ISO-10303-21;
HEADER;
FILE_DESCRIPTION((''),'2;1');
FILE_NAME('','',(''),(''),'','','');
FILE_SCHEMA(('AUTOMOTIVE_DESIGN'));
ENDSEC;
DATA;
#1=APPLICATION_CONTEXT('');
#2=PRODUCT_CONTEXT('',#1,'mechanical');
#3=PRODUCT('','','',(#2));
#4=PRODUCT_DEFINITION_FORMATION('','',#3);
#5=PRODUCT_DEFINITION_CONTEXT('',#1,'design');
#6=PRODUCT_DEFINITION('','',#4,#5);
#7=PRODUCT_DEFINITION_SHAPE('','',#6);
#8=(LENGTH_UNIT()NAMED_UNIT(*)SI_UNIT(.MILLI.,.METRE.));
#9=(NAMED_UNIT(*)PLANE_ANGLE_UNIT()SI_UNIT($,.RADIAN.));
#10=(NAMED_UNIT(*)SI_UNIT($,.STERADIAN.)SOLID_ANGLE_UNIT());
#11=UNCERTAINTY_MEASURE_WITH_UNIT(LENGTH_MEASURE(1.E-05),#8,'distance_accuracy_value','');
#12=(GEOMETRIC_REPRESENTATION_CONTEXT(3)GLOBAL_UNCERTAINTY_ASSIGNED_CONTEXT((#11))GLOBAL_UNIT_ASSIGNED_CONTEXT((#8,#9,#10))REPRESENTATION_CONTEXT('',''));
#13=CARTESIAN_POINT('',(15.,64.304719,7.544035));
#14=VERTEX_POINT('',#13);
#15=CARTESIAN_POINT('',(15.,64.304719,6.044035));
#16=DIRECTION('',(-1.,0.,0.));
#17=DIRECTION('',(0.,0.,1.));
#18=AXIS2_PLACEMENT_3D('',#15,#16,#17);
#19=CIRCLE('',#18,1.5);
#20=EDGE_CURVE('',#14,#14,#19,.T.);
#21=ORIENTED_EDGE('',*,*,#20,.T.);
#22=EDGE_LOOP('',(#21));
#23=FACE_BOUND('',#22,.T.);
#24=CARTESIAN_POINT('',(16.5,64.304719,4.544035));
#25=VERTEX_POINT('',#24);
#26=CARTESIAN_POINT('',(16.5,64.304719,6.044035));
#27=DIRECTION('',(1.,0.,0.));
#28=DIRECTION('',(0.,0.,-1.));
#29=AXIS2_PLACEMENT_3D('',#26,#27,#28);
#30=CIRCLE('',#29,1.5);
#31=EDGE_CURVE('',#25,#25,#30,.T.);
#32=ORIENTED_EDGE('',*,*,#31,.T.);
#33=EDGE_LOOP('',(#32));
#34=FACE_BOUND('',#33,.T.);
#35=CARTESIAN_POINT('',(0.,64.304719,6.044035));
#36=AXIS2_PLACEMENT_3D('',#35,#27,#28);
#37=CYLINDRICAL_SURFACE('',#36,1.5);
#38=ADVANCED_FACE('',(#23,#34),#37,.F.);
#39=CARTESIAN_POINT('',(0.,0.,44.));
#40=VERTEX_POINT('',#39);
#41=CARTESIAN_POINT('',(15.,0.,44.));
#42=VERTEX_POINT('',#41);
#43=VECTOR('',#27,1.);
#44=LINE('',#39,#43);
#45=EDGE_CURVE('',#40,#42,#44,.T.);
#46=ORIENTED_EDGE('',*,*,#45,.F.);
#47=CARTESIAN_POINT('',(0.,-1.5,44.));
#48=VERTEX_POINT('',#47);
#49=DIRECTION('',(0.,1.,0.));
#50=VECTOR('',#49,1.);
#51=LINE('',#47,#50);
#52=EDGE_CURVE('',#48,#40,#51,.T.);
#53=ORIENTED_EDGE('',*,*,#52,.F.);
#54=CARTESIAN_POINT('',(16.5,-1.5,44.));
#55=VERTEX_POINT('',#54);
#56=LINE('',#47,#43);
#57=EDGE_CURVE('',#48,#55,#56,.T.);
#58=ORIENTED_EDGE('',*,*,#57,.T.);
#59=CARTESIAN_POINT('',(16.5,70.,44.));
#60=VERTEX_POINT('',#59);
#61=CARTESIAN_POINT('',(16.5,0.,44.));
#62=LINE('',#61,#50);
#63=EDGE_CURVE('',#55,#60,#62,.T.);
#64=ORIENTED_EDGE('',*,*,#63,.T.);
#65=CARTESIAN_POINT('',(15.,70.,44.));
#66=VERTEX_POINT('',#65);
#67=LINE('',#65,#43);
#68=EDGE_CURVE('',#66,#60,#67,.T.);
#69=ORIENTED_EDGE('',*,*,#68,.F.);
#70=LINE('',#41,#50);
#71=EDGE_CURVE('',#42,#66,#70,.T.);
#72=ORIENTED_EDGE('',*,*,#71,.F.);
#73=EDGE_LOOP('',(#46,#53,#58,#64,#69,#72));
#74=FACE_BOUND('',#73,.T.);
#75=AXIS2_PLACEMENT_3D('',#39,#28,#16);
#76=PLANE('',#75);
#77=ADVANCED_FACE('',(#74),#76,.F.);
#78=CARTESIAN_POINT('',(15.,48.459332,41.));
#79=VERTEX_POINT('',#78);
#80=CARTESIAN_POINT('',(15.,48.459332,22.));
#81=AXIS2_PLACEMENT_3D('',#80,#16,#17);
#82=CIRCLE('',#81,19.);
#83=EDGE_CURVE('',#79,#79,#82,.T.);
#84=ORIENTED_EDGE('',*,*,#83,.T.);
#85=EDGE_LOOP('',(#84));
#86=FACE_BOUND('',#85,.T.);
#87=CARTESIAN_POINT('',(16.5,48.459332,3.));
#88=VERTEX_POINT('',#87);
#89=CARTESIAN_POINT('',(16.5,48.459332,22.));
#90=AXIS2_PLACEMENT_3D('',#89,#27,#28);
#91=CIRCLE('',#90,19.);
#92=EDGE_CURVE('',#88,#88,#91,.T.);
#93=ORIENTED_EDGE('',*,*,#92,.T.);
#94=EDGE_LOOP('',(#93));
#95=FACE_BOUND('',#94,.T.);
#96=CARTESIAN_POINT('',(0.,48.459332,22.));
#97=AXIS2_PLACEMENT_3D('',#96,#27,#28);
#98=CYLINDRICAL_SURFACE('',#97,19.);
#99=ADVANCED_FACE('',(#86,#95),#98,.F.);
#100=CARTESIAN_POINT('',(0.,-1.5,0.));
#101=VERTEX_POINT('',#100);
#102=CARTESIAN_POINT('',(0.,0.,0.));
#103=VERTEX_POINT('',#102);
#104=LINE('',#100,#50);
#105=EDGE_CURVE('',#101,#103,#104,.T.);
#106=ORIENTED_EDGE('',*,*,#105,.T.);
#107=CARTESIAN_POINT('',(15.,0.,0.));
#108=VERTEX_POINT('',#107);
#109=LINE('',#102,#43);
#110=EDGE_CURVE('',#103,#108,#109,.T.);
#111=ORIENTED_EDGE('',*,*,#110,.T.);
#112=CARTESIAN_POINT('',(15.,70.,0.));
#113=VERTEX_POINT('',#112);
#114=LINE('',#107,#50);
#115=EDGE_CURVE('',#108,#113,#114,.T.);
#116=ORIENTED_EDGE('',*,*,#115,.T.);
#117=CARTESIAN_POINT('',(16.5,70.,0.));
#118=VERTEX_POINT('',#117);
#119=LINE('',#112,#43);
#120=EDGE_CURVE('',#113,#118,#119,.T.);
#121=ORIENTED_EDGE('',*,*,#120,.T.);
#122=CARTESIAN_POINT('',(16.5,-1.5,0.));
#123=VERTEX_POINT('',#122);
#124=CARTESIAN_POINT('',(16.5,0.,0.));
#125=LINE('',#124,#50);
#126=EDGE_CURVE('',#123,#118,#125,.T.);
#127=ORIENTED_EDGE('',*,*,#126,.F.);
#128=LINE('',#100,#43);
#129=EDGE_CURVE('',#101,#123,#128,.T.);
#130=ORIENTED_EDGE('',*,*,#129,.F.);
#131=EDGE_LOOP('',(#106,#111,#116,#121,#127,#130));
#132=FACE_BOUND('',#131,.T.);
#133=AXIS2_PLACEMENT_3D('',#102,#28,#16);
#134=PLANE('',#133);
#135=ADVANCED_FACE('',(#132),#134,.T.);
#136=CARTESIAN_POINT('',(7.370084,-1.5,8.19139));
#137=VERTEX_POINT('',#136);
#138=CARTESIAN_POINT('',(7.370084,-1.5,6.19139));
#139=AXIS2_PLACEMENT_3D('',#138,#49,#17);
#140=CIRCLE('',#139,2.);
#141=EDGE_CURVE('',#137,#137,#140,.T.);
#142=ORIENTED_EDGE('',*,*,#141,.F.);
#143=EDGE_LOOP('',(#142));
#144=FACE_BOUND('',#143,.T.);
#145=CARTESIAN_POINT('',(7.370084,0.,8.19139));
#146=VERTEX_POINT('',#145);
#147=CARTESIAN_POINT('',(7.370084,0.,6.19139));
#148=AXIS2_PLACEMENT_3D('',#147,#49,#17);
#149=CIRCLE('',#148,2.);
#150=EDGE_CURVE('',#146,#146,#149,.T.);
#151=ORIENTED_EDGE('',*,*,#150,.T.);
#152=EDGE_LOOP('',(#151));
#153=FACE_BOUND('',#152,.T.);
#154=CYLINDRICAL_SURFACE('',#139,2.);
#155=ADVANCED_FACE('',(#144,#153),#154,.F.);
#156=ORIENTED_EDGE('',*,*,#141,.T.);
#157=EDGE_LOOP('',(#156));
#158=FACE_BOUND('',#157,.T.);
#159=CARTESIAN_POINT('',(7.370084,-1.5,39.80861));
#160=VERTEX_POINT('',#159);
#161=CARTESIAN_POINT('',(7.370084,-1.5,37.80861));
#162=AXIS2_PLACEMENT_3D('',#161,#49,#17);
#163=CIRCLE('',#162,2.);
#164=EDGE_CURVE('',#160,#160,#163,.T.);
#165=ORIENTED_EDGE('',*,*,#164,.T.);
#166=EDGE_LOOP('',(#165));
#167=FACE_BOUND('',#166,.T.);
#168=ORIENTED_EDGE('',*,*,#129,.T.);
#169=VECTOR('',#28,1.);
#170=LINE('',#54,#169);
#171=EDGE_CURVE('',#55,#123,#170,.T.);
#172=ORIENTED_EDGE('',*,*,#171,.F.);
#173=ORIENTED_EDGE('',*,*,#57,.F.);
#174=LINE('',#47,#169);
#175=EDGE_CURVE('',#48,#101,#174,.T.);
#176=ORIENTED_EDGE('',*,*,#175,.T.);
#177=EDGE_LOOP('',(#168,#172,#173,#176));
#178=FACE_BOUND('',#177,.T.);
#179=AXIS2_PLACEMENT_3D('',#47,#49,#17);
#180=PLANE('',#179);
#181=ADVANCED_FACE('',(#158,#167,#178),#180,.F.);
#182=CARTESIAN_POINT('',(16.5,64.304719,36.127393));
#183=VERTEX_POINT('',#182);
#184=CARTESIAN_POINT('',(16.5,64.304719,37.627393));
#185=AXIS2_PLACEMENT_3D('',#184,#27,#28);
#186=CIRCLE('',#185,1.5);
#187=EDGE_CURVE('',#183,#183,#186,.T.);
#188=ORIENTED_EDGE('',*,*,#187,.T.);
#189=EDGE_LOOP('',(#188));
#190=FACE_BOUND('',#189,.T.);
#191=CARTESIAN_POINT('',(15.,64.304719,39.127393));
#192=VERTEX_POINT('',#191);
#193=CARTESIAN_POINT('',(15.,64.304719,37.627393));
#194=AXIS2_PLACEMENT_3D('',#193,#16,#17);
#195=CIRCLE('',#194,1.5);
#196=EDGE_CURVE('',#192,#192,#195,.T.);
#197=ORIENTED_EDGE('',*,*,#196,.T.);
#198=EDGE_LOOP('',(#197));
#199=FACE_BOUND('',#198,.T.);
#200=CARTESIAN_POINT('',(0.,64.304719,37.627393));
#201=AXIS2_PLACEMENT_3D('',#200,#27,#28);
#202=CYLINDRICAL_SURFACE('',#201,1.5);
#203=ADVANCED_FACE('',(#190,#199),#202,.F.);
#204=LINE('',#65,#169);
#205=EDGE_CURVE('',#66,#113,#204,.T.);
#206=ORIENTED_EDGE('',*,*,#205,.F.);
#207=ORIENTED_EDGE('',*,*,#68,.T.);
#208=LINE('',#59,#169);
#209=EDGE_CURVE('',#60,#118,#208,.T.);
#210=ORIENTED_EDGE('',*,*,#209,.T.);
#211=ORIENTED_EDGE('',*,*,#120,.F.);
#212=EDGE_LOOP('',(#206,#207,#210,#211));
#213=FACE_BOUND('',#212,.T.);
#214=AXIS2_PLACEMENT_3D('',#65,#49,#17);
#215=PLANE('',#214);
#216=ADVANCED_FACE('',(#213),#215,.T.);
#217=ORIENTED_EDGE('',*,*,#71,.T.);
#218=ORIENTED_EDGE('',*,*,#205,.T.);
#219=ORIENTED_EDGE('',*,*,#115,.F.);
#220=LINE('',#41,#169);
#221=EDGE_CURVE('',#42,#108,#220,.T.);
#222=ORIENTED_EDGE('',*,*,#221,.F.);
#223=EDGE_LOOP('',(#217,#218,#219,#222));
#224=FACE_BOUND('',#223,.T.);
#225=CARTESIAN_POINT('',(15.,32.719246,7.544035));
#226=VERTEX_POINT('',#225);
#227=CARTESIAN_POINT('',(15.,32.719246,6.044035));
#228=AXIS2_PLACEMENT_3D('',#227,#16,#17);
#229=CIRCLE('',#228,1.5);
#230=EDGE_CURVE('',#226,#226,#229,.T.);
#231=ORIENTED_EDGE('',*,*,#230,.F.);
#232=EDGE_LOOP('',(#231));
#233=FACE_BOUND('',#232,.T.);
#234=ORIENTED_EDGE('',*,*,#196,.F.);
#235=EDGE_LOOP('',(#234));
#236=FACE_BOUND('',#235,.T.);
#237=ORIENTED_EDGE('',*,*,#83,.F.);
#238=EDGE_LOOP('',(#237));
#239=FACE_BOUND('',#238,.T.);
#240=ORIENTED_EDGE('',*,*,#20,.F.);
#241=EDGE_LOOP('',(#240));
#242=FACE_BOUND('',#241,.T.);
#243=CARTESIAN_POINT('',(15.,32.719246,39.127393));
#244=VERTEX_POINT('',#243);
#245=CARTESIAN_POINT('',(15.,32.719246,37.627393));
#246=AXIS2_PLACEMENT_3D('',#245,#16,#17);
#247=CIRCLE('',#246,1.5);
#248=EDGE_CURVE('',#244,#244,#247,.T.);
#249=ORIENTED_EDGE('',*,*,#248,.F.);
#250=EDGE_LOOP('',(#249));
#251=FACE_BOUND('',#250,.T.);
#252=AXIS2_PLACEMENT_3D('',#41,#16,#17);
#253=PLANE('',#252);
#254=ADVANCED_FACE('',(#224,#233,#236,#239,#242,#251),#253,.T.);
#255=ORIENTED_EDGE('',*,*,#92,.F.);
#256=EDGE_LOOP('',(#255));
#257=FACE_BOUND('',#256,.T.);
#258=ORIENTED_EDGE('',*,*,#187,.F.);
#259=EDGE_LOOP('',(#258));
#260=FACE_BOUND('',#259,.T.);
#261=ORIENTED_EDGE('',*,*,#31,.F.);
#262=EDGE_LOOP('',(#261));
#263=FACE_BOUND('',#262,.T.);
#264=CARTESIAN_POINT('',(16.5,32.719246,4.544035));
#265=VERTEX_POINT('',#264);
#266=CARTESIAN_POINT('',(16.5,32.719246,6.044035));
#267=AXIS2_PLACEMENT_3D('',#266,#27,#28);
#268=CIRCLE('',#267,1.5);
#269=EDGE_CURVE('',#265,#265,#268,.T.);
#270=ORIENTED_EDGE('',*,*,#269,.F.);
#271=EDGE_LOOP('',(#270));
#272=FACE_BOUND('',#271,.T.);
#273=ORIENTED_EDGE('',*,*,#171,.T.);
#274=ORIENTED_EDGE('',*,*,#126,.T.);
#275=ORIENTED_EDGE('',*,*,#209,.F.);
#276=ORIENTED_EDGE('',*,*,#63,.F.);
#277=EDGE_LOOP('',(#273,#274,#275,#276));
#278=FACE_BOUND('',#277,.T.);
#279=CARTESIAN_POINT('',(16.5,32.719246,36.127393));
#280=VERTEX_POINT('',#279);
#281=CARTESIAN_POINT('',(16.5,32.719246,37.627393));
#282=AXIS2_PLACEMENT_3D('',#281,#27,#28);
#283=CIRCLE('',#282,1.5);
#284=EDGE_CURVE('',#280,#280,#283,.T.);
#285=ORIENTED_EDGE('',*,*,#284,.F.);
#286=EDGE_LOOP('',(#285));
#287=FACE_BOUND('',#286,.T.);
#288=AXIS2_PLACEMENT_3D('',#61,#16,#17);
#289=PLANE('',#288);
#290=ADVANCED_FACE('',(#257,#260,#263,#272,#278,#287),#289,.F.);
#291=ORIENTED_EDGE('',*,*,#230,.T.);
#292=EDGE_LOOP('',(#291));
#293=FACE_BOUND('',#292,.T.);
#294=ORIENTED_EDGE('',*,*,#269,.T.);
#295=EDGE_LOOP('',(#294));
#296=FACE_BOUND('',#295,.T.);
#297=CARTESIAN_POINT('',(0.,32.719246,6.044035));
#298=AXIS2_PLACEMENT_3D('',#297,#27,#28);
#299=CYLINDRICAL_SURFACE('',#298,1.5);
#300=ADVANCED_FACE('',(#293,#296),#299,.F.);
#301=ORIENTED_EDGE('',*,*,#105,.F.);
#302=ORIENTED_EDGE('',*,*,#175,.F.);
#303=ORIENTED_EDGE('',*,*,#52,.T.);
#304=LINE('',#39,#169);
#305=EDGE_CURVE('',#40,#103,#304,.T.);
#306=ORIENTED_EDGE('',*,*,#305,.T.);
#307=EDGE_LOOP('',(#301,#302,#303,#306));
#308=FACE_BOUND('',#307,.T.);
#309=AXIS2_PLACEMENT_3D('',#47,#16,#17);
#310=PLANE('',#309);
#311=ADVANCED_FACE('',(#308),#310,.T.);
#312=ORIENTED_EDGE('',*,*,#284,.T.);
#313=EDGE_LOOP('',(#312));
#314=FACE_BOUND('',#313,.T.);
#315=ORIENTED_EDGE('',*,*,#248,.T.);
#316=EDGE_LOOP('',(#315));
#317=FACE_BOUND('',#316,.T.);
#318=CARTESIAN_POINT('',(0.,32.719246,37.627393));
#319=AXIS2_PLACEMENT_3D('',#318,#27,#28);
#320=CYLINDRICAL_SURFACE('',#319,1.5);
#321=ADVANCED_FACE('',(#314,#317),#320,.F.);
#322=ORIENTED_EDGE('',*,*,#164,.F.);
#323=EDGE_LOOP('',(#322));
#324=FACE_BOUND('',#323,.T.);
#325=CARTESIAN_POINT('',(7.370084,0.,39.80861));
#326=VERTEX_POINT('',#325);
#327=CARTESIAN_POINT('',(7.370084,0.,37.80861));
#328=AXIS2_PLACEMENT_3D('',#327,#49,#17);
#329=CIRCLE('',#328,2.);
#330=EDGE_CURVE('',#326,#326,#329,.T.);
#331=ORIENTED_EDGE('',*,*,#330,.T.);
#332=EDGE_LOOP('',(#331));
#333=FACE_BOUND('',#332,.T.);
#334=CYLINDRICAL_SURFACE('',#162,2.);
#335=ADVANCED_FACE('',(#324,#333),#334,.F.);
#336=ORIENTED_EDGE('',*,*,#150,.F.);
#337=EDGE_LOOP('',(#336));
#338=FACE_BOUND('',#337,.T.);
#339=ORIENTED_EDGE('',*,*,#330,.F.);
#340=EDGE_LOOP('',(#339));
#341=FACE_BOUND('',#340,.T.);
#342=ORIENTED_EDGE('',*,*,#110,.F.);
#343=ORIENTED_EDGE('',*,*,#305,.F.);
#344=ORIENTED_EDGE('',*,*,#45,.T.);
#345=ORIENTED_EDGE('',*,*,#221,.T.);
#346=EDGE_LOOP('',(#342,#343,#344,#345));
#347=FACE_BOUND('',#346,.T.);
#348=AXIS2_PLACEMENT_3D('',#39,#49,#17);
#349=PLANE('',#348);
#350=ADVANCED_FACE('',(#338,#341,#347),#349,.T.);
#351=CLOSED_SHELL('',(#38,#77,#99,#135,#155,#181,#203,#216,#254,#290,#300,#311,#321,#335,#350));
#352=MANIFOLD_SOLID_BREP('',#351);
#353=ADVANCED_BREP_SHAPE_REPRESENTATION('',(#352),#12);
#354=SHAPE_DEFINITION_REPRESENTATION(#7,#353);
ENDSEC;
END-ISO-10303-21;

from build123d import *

# Parameters (mm, degrees)
EXTRUDE_THIN1_DEPTH = 44
SKETCH2_R           = 19
CUT_EXTRUDE1_DEPTH  = 85.310438262
SKETCH3_R           = 2
CUT_EXTRUDE2_DEPTH  = 85.310438262
SKETCH4_R           = 1.5
CUT_EXTRUDE3_DEPTH  = 85.310438262


with BuildPart() as part:
    # Sketch1 → Extrude-Thin1 (new body)
    with BuildSketch(Plane.XY):
        Polygon((0, 0), (15, 0), (15, 70), (16.5, 70), (16.5, -1.5), (0, -1.5), align=None)
    extrude(amount=EXTRUDE_THIN1_DEPTH)

    # Sketch2 → Cut-Extrude1 (cut, through all)
    with BuildSketch(Plane(origin=(16.5, 0, 0), x_dir=(0, 0, -1), z_dir=(1, 0, 0))):
        with Locations((-22, 48.459332075)):
            Circle(SKETCH2_R)
    extrude(amount=-CUT_EXTRUDE1_DEPTH, mode=Mode.SUBTRACT)

    # Sketch3 → Cut-Extrude2 (cut, through all)
    with BuildSketch(Plane(origin=(0, 0, 0), x_dir=(1, 0, 0), z_dir=(0, 1, 0))):
        with Locations(Location((7.370084174, -6.191389664, 0), (0, 0, 270))):
            Circle(SKETCH3_R)
        with Locations(Location((7.370084174, -37.808610336, 0), (0, 0, 270))):
            Circle(SKETCH3_R)
    extrude(amount=-CUT_EXTRUDE2_DEPTH, mode=Mode.SUBTRACT)

    # Sketch4 → Cut-Extrude3 (cut, through all)
    with BuildSketch(Plane(origin=(16.5, 0, 0), x_dir=(0, 0, -1), z_dir=(1, 0, 0))):
        with Locations((-37.627392524, 64.304718843)):
            Circle(SKETCH4_R)
        with Locations((-6.044034896, 64.304718843)):
            Circle(SKETCH4_R)
        with Locations((-37.627392524, 32.719245679)):
            Circle(SKETCH4_R)
        with Locations((-6.044034896, 32.719245679)):
            Circle(SKETCH4_R)
    extrude(amount=-CUT_EXTRUDE3_DEPTH, mode=Mode.SUBTRACT)


solid = part.part
